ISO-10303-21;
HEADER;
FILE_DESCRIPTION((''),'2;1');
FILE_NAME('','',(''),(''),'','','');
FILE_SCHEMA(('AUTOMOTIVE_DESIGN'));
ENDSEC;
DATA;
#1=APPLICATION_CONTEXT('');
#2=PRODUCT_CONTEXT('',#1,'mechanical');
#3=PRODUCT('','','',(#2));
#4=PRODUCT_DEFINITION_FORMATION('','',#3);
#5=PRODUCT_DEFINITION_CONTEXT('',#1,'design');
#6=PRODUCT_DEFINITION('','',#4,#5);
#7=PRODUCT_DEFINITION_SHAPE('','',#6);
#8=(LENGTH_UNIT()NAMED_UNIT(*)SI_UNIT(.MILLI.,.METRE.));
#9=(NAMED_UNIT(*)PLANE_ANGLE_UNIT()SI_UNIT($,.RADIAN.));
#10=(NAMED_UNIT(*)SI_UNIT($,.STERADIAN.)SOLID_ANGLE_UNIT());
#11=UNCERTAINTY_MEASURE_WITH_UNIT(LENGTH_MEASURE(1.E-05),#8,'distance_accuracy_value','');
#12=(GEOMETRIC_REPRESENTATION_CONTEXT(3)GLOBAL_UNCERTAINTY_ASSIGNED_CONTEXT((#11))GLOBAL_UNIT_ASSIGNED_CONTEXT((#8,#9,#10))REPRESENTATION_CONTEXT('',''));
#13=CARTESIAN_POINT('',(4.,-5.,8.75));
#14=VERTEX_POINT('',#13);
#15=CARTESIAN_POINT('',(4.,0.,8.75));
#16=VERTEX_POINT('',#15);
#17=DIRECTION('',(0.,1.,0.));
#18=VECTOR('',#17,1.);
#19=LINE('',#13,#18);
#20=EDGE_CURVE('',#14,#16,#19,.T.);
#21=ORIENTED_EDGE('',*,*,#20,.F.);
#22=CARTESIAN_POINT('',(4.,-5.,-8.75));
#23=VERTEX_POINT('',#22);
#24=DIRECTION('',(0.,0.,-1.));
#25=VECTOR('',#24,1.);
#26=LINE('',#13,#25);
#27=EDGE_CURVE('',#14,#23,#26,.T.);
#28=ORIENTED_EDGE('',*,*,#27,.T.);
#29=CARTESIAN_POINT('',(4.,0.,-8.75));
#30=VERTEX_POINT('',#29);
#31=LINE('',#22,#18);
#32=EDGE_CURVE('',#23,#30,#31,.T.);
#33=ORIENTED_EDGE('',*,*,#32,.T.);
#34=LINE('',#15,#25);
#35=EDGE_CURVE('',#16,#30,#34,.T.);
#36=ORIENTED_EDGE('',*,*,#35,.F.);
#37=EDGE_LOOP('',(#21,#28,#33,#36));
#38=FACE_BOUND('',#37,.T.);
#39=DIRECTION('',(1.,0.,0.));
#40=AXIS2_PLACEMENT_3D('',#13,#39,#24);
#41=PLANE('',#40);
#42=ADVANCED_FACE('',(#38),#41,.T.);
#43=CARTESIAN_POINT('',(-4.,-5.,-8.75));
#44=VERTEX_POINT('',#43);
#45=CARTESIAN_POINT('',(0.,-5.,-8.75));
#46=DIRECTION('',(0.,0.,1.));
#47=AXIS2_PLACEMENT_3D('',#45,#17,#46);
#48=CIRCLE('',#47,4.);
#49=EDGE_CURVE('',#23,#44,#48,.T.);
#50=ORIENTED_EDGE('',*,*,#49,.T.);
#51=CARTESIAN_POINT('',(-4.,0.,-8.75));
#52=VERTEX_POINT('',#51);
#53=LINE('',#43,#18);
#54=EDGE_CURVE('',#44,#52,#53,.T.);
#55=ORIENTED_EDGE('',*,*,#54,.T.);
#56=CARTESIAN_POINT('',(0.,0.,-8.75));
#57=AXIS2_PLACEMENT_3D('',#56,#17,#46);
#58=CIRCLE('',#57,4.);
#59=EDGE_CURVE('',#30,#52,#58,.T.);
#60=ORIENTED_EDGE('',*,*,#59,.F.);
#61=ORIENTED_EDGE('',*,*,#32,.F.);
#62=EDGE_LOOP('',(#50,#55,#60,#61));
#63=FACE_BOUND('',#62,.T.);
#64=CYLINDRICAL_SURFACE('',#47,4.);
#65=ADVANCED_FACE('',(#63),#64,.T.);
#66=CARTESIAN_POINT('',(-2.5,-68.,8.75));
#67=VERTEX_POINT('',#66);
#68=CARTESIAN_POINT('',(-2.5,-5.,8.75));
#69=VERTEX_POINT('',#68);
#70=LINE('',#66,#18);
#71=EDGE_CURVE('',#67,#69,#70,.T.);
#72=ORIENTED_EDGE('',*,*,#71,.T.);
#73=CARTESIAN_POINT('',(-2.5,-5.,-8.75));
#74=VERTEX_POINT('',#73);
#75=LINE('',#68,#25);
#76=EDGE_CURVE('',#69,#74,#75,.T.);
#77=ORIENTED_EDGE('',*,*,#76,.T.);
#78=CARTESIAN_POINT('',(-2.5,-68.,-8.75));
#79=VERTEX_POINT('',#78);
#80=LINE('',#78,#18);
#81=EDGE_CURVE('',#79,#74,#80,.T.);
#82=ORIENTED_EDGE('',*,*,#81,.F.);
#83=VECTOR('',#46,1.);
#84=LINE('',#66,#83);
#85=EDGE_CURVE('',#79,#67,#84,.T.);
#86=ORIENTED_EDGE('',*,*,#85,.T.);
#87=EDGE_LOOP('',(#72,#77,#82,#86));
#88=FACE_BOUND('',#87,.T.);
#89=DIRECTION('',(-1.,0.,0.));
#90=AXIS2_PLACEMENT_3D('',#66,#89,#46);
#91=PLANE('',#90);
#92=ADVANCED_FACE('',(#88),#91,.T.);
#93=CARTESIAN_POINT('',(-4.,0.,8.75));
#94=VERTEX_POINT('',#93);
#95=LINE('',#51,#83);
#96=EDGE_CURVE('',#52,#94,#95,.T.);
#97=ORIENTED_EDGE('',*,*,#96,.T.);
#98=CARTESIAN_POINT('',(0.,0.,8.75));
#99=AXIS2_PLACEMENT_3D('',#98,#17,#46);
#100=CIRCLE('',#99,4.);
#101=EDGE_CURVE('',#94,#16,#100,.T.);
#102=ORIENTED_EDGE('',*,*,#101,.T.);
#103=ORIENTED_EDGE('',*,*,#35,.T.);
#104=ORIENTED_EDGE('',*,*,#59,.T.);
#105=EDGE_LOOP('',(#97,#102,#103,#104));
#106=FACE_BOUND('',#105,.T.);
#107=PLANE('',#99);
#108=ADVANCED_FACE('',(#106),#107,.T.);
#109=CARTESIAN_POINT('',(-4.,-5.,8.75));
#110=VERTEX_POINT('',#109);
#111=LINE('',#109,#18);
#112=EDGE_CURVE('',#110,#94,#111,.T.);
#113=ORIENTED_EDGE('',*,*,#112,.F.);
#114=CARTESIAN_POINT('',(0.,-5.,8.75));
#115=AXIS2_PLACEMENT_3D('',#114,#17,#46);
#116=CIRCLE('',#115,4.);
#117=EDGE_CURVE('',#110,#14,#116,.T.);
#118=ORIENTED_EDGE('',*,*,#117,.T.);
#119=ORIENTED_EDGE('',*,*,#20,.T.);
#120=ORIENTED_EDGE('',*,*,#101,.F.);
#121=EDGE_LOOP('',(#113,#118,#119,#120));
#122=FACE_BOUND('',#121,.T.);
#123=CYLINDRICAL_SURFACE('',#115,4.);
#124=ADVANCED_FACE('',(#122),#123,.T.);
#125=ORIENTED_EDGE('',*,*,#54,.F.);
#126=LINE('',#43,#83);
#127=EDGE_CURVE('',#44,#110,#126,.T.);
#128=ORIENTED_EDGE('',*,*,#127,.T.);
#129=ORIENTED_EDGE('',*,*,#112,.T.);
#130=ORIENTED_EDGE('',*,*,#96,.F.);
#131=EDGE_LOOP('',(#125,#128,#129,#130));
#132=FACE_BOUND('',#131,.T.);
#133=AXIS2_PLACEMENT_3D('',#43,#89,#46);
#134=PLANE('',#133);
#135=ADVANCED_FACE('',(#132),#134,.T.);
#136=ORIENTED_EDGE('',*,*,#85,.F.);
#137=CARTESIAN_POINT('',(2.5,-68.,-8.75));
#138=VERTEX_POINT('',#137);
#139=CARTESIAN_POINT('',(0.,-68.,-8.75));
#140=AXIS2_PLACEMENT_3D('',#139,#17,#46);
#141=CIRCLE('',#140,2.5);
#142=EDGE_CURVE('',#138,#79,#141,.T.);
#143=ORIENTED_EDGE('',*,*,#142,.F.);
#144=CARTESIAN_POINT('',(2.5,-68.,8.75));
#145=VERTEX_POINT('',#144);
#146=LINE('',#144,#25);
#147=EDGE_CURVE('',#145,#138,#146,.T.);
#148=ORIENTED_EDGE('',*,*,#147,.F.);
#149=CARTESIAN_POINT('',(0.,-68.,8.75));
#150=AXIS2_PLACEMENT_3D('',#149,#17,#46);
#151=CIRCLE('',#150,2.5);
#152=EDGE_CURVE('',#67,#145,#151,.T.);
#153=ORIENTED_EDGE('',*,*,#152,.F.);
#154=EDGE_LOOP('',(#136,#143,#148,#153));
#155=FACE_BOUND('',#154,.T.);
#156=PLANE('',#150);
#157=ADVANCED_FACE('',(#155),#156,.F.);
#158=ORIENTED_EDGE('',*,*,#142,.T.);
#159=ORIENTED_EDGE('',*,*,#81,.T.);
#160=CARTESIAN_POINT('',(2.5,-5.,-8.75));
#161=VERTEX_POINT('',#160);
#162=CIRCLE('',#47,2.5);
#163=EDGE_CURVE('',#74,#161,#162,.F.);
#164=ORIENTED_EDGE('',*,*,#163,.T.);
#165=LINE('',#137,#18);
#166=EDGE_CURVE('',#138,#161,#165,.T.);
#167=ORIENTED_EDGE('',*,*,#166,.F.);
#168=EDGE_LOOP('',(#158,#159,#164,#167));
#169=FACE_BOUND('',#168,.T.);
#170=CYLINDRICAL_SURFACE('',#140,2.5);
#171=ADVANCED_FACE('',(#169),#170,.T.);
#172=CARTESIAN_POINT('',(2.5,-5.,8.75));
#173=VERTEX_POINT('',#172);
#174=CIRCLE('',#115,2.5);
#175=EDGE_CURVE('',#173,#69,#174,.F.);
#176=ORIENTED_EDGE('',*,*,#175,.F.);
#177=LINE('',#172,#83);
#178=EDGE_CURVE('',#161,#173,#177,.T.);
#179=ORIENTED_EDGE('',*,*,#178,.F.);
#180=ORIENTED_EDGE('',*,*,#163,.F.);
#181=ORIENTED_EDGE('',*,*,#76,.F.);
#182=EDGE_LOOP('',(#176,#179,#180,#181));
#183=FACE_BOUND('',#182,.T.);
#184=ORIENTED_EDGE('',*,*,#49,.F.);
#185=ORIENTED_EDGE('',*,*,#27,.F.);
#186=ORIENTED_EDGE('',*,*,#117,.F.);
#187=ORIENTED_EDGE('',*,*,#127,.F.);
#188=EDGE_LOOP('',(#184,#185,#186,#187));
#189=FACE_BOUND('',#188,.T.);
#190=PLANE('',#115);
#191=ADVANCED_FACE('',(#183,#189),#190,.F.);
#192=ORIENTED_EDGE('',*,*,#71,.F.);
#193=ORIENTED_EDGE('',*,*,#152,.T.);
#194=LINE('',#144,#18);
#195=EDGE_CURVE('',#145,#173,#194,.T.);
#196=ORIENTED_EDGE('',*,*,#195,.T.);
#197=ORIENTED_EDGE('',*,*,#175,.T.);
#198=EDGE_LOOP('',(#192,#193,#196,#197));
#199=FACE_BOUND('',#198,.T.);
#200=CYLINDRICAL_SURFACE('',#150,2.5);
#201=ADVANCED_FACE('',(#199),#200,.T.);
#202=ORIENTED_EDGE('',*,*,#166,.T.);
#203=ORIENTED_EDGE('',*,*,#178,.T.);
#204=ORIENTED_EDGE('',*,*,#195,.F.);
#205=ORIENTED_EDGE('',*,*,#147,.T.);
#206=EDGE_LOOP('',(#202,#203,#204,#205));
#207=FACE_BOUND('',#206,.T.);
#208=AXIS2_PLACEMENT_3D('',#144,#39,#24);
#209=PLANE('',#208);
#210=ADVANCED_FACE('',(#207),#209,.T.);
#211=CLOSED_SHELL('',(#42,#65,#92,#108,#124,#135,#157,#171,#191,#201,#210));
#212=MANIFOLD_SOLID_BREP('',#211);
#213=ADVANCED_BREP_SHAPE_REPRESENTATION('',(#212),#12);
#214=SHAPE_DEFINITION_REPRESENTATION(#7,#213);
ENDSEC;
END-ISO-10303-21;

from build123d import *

# Parameters (mm, degrees)
BOSS_EXTRUDE1_DEPTH = 68
BOSS_EXTRUDE2_DEPTH = 5


with BuildPart() as part:
    # Sketch1 → Boss-Extrude1 (new body)
    with BuildSketch(Plane(origin=(0, 0, 0), x_dir=(1, 0, 0), z_dir=(0, 1, 0))):
        with BuildLine():
            Line((-2.5, -8.75), (-2.5, 8.75))
            ThreePointArc((-2.5, 8.75), (0, 11.25), (2.5, 8.75))
            Line((2.5, 8.75), (2.5, -8.75))
            ThreePointArc((2.5, -8.75), (0, -11.25), (-2.5, -8.75))
        make_face()
    extrude(amount=-BOSS_EXTRUDE1_DEPTH)

    # Sketch2 → Boss-Extrude2 (add)
    with BuildSketch(Plane(origin=(0, 0, 0), x_dir=(1, 0, 0), z_dir=(0, 1, 0))):
        with BuildLine():
            Line((4, -8.75), (4, 8.75))
            ThreePointArc((4, 8.75), (0, 12.75), (-4, 8.75))
            Line((-4, 8.75), (-4, -8.75))
            ThreePointArc((-4, -8.75), (0, -12.75), (4, -8.75))
        make_face()
    extrude(amount=-BOSS_EXTRUDE2_DEPTH)


solid = part.part
